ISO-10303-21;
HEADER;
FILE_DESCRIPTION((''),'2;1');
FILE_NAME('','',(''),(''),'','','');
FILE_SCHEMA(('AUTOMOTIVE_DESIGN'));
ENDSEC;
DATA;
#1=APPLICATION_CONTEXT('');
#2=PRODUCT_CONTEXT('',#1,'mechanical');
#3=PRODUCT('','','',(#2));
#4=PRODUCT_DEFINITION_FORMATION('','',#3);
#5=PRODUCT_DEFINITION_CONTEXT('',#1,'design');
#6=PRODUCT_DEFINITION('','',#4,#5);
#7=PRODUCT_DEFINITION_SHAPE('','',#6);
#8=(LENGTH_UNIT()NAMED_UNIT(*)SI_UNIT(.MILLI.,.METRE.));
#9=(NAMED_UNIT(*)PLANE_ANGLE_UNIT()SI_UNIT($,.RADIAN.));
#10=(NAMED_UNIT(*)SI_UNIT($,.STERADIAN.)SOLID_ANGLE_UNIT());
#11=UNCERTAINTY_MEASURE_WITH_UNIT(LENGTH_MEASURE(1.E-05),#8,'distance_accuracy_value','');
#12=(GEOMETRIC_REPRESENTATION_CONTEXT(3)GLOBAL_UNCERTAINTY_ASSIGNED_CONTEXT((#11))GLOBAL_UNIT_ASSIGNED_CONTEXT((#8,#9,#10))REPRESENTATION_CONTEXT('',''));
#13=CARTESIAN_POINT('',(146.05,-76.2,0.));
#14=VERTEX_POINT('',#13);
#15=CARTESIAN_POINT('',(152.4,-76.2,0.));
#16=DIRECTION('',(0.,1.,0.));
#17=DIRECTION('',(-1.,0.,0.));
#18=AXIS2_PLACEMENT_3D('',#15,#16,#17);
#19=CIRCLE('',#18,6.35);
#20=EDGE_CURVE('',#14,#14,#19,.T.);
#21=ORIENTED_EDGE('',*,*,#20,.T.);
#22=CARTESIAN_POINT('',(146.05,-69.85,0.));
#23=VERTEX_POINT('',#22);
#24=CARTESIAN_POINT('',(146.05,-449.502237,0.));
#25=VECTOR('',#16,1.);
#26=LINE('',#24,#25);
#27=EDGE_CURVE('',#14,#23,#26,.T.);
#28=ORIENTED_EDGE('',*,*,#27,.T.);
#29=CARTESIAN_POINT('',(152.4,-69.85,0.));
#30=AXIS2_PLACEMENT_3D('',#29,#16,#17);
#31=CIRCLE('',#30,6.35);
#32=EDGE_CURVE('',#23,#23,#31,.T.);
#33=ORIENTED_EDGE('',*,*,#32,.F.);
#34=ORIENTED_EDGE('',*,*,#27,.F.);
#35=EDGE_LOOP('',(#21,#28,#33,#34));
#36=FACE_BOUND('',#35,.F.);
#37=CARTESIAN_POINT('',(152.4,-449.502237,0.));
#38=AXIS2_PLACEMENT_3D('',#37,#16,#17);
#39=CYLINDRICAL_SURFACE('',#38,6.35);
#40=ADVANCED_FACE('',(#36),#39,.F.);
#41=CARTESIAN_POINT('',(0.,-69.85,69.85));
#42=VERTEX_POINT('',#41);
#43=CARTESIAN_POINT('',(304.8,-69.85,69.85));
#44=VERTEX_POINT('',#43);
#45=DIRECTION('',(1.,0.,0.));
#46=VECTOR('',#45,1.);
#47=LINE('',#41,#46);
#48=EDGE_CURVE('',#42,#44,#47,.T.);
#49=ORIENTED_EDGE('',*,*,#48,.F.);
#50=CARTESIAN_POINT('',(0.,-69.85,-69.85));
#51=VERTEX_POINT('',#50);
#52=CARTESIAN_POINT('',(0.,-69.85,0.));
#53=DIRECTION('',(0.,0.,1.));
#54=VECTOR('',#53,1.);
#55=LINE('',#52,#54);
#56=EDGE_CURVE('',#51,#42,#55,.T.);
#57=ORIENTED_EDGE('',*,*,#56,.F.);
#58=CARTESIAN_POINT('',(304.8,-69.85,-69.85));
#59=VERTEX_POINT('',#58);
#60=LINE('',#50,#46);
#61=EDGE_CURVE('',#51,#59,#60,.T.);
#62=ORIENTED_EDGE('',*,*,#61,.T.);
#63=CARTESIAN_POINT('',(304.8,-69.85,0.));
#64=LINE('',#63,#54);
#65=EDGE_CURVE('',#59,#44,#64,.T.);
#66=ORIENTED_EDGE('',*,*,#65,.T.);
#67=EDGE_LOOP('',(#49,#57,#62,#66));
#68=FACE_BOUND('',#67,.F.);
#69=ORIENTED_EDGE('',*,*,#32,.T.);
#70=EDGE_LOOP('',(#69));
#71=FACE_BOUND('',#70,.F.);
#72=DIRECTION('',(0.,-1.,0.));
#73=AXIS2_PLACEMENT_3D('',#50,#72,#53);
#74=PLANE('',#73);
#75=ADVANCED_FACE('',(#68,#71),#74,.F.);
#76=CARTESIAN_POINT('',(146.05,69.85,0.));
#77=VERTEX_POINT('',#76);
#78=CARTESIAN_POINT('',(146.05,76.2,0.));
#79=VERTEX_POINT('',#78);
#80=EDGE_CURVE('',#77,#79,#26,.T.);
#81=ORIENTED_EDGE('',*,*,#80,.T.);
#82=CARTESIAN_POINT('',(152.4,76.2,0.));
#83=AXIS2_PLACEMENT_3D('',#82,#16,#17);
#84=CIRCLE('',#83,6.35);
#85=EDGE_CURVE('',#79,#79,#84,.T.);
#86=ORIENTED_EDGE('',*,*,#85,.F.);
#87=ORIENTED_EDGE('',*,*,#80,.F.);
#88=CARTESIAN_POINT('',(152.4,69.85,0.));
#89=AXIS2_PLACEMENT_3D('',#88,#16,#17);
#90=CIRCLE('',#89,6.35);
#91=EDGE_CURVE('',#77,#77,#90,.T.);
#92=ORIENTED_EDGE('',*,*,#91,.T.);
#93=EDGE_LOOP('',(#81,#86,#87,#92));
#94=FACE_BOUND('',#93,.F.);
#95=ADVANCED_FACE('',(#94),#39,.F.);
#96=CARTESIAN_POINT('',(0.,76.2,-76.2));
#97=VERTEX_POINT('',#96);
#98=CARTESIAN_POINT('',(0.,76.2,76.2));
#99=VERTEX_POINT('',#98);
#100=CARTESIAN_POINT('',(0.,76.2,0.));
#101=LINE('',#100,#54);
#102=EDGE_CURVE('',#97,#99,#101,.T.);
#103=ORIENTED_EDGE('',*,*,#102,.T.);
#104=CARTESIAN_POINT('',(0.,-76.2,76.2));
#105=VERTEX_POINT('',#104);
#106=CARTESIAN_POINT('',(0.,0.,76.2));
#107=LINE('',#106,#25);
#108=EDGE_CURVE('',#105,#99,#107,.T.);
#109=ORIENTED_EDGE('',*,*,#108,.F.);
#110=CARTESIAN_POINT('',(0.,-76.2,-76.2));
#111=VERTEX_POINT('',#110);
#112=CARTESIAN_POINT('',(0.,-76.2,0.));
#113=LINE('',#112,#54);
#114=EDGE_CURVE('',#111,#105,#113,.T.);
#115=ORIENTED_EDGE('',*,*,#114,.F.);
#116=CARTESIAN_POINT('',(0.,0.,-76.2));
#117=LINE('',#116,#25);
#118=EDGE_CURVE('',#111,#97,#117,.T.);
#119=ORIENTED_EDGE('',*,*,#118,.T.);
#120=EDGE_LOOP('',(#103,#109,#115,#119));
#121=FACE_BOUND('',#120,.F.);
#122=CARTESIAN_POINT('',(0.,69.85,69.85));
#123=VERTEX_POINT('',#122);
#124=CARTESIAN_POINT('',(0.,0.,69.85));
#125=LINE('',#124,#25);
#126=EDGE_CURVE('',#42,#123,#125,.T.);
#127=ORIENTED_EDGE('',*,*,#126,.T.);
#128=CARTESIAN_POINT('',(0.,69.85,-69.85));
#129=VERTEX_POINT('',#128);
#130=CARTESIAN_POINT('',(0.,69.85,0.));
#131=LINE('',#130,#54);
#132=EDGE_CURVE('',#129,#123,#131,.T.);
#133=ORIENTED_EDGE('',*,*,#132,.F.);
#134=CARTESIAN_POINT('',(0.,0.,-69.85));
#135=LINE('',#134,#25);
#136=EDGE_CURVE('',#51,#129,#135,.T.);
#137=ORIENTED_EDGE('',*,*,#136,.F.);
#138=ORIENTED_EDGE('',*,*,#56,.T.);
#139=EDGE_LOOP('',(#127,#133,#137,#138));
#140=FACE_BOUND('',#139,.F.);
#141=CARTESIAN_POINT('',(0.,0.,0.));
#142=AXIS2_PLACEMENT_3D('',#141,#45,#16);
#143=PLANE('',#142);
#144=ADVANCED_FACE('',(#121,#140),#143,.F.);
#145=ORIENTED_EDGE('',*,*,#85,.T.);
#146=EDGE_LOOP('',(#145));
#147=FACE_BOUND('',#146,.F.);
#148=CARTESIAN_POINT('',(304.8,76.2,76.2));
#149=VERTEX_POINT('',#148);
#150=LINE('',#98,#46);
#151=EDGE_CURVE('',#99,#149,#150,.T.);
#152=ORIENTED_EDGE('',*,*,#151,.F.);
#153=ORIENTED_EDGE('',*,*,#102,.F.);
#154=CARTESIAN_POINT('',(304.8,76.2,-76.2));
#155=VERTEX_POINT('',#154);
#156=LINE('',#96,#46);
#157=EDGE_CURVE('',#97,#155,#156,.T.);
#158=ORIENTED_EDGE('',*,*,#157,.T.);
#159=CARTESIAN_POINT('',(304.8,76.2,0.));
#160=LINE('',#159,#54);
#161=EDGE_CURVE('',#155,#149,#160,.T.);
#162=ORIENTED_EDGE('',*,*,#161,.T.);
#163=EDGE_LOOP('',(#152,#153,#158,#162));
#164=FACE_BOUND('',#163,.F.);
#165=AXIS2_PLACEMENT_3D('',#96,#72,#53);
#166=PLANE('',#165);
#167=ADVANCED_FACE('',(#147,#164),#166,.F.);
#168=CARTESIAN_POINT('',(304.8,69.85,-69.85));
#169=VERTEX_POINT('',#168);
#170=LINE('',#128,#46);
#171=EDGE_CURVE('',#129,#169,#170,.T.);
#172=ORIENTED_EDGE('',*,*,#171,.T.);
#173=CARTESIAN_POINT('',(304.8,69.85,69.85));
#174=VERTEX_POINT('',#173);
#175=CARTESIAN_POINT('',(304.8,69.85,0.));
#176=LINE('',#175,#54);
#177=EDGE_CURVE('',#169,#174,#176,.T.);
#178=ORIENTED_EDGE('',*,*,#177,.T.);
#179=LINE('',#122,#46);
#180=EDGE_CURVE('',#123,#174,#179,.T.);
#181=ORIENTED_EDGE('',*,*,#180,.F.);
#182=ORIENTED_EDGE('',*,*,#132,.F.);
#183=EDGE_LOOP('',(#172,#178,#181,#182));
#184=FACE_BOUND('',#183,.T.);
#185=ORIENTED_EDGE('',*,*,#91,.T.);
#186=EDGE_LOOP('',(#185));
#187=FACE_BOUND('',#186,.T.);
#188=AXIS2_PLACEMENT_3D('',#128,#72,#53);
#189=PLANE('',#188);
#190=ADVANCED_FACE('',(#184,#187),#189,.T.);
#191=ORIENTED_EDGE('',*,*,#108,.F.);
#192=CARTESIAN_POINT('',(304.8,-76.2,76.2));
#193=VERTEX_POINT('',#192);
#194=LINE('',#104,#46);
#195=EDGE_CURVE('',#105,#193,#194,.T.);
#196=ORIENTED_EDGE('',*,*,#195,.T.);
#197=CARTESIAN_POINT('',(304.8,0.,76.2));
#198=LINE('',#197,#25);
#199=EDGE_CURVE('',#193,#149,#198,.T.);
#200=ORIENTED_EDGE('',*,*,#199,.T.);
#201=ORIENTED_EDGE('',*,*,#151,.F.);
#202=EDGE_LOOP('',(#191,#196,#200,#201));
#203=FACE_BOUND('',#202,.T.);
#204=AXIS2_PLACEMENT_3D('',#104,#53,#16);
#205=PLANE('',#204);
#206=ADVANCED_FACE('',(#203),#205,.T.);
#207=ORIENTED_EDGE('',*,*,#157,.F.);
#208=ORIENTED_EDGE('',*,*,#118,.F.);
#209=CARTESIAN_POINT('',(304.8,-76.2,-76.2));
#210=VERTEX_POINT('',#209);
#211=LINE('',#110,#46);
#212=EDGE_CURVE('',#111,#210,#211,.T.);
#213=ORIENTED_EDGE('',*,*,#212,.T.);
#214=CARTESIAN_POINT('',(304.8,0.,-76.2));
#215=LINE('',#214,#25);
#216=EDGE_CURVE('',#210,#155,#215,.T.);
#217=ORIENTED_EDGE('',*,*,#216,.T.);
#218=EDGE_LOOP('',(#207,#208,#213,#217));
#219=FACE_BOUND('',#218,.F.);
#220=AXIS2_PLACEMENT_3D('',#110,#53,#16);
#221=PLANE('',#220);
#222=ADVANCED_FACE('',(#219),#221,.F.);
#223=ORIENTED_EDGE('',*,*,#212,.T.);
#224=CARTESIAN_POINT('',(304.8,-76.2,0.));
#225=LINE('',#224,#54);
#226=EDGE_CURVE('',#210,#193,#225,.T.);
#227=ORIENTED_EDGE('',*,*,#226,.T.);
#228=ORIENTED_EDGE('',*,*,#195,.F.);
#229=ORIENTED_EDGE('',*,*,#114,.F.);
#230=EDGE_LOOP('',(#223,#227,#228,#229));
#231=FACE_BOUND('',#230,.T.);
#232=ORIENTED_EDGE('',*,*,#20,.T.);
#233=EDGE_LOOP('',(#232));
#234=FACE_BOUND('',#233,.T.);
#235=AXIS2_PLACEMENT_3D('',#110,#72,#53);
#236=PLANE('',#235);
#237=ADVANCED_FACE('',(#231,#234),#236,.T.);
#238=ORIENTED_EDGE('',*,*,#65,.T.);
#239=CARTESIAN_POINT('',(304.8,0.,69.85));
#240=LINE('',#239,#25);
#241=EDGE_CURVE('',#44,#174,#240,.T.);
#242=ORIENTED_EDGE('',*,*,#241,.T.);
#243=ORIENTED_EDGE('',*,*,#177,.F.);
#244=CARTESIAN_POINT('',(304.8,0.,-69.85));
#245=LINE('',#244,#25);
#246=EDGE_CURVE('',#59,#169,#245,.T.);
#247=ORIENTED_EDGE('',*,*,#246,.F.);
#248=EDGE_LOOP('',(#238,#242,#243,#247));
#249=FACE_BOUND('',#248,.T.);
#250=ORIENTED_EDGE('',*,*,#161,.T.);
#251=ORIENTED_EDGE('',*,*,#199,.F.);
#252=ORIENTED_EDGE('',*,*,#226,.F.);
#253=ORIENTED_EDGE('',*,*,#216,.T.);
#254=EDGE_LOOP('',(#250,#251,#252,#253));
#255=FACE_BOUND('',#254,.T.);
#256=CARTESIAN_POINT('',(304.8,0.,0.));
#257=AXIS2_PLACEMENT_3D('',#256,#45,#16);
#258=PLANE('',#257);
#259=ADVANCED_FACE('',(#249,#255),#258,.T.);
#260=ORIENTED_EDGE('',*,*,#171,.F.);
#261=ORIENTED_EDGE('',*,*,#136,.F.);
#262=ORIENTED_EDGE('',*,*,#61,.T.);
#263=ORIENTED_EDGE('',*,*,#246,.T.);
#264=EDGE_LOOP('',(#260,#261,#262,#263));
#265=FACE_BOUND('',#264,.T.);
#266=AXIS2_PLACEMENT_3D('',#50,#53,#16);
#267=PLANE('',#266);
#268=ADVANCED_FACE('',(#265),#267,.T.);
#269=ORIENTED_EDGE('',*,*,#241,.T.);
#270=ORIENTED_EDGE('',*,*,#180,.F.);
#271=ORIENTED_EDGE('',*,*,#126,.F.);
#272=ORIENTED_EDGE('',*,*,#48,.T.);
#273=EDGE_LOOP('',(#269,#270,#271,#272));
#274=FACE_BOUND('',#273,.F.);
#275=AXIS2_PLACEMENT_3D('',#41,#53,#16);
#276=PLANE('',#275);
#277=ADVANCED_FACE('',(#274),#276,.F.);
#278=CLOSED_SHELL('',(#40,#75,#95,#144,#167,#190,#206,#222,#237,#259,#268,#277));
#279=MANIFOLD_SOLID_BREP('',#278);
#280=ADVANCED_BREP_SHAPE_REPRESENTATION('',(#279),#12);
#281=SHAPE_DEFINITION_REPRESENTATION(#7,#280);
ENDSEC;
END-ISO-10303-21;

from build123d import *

# Parameters (mm, degrees)
F0_W     = 152.4
F0_H     = 152.4
F0_W_2   = 139.7
F0_H_2   = 139.7
F1_DEPTH = 304.8
F3_D     = 12.7


with BuildPart() as f1:
    # F0 (on Right) → F1 (new body)
    with BuildSketch(Plane.YZ):
        Rectangle(F0_W, F0_H)
        Rectangle(F0_W_2, F0_H_2, mode=Mode.SUBTRACT)
    extrude(amount=F1_DEPTH)

    # F3 (through all)
    with Locations(Plane.XZ.offset(76.2)):
        with Locations((152.4, 0)):
            Hole(F3_D / 2)


solid = f1.part
